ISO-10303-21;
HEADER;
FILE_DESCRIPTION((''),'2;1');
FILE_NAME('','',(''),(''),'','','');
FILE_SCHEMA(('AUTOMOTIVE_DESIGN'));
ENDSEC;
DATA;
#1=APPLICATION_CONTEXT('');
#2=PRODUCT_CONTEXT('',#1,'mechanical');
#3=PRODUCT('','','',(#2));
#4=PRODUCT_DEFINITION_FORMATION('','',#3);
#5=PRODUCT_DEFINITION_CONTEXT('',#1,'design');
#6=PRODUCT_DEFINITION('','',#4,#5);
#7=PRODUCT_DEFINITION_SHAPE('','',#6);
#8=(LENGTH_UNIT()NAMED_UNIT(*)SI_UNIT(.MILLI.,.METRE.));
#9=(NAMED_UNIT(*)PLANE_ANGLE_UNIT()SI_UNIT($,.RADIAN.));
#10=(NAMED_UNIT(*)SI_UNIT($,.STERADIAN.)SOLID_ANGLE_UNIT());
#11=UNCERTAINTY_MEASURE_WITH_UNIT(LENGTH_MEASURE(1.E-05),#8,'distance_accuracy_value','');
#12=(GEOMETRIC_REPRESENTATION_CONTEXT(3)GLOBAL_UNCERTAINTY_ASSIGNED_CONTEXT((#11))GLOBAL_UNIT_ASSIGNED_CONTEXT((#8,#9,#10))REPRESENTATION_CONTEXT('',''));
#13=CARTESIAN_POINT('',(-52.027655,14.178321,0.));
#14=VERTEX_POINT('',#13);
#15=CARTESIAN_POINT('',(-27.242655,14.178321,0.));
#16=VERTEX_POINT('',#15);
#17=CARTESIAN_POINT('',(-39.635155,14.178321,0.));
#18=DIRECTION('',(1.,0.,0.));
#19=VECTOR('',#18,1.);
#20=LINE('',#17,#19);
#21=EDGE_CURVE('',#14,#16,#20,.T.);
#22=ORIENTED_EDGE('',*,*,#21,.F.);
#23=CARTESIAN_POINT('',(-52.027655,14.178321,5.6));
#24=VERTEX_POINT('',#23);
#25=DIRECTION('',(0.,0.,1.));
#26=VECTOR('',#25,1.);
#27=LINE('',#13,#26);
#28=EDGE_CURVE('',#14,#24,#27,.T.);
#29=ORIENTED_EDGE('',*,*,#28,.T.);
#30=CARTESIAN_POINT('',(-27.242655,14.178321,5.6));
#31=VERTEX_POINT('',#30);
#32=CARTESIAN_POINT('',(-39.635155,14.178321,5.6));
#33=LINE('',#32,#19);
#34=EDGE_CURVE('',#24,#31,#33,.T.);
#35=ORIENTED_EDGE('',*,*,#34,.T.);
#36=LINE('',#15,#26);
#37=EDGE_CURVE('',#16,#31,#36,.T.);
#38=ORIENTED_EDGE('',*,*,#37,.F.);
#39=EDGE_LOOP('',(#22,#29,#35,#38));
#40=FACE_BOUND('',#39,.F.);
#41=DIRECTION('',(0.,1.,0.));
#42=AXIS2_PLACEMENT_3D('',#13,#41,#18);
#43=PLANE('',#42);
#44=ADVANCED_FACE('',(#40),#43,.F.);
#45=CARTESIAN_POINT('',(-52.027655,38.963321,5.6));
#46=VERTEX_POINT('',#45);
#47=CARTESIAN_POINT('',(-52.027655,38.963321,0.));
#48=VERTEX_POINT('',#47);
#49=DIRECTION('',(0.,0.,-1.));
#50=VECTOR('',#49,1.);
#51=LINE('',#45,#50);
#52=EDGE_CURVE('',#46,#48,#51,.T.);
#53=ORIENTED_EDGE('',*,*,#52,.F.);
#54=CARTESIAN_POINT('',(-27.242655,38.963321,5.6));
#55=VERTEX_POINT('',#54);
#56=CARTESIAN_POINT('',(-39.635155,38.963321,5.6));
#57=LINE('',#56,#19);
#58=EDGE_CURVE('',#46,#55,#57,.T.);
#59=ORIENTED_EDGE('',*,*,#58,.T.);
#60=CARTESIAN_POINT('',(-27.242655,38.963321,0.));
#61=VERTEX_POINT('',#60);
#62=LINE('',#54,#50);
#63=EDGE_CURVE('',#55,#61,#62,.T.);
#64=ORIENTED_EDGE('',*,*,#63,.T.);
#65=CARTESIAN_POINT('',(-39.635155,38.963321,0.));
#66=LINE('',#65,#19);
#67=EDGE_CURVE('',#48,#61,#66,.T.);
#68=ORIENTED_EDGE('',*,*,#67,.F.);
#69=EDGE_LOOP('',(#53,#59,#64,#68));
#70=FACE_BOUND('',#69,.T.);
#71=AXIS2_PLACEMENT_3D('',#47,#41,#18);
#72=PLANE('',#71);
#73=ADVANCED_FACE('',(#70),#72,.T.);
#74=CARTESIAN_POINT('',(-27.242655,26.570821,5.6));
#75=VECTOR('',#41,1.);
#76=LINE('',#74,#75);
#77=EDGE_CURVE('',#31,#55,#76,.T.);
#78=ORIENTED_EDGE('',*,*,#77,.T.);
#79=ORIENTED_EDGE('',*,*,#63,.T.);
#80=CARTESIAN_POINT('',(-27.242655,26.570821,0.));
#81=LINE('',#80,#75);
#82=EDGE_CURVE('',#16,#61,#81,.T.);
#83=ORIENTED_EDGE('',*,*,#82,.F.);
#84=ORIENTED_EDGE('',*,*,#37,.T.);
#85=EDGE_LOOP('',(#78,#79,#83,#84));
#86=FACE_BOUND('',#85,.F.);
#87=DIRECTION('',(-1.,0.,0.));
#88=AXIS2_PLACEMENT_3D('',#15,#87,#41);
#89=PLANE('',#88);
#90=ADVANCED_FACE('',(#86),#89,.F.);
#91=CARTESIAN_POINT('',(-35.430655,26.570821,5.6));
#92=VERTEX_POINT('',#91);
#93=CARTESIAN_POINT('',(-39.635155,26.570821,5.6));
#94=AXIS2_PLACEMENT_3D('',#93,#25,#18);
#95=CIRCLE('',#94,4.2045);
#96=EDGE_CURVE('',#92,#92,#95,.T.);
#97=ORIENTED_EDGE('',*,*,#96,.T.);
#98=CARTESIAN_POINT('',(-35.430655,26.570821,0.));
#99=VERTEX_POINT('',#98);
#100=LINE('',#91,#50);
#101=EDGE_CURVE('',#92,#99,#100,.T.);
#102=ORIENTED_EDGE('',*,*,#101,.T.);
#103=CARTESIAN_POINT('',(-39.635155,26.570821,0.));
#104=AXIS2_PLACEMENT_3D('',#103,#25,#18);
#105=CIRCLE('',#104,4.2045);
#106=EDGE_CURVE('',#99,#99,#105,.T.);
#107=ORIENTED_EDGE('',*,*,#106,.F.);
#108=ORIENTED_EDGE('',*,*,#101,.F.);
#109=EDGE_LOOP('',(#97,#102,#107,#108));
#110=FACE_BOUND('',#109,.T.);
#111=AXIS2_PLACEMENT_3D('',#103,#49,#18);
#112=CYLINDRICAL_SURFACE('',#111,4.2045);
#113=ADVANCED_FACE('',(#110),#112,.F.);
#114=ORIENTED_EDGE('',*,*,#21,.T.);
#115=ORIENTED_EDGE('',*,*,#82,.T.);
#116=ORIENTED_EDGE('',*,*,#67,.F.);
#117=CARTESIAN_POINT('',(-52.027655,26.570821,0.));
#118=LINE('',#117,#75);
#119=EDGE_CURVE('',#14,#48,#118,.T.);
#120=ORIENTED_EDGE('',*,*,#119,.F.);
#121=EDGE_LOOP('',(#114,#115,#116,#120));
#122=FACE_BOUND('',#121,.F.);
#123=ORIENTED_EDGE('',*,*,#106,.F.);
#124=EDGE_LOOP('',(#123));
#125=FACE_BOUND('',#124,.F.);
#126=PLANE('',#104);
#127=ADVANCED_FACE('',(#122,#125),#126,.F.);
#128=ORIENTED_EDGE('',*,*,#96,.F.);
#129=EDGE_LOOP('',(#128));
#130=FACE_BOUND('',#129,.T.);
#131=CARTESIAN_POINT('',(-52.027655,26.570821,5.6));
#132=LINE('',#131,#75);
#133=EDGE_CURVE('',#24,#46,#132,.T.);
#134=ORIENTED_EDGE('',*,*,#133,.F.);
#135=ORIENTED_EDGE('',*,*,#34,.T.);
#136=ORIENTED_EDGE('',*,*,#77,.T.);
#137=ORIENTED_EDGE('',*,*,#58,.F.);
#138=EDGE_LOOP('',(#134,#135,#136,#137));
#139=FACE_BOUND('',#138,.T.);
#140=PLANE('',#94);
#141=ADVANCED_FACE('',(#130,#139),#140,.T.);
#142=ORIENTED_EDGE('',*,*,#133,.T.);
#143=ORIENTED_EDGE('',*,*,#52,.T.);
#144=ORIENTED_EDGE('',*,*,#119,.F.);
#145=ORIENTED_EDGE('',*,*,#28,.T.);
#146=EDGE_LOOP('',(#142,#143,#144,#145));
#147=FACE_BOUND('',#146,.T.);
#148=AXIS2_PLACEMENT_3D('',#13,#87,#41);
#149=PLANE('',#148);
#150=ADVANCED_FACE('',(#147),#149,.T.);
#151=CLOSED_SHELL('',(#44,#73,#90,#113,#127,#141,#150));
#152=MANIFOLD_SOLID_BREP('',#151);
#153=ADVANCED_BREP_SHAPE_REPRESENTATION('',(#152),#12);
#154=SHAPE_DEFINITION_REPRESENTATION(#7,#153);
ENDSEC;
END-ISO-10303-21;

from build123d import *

# Parameters (mm, degrees)
F0_W      = 24.785
F0_H      = 24.785
F0_R      = 4.2045
F1_DEPTH  = 5.6
F1_FACE_W = 24.785
F1_FACE_H = 24.785
F1_FACE_R = 4.2045
F2_DEPTH  = 1.6


with BuildPart() as f1:
    # F0 (on Top) → F1 (new body)
    with BuildSketch(Plane.XY):
        with Locations((-39.635155, 26.570821)):
            Rectangle(F0_W, F0_H)
        with Locations((-39.635155, 26.570821)):
            Circle(F0_R, mode=Mode.SUBTRACT)
    extrude(amount=F1_DEPTH)

    # F1_face (on face) → F2 (join)
    with BuildSketch(Plane(origin=(-39.635155, 26.570821, 5.6), x_dir=(1, 0, 0), z_dir=(0, 0, 1))):
        Rectangle(F1_FACE_W, F1_FACE_H)
        Circle(F1_FACE_R, mode=Mode.SUBTRACT)
    extrude(amount=-F2_DEPTH)


solid = f1.part
